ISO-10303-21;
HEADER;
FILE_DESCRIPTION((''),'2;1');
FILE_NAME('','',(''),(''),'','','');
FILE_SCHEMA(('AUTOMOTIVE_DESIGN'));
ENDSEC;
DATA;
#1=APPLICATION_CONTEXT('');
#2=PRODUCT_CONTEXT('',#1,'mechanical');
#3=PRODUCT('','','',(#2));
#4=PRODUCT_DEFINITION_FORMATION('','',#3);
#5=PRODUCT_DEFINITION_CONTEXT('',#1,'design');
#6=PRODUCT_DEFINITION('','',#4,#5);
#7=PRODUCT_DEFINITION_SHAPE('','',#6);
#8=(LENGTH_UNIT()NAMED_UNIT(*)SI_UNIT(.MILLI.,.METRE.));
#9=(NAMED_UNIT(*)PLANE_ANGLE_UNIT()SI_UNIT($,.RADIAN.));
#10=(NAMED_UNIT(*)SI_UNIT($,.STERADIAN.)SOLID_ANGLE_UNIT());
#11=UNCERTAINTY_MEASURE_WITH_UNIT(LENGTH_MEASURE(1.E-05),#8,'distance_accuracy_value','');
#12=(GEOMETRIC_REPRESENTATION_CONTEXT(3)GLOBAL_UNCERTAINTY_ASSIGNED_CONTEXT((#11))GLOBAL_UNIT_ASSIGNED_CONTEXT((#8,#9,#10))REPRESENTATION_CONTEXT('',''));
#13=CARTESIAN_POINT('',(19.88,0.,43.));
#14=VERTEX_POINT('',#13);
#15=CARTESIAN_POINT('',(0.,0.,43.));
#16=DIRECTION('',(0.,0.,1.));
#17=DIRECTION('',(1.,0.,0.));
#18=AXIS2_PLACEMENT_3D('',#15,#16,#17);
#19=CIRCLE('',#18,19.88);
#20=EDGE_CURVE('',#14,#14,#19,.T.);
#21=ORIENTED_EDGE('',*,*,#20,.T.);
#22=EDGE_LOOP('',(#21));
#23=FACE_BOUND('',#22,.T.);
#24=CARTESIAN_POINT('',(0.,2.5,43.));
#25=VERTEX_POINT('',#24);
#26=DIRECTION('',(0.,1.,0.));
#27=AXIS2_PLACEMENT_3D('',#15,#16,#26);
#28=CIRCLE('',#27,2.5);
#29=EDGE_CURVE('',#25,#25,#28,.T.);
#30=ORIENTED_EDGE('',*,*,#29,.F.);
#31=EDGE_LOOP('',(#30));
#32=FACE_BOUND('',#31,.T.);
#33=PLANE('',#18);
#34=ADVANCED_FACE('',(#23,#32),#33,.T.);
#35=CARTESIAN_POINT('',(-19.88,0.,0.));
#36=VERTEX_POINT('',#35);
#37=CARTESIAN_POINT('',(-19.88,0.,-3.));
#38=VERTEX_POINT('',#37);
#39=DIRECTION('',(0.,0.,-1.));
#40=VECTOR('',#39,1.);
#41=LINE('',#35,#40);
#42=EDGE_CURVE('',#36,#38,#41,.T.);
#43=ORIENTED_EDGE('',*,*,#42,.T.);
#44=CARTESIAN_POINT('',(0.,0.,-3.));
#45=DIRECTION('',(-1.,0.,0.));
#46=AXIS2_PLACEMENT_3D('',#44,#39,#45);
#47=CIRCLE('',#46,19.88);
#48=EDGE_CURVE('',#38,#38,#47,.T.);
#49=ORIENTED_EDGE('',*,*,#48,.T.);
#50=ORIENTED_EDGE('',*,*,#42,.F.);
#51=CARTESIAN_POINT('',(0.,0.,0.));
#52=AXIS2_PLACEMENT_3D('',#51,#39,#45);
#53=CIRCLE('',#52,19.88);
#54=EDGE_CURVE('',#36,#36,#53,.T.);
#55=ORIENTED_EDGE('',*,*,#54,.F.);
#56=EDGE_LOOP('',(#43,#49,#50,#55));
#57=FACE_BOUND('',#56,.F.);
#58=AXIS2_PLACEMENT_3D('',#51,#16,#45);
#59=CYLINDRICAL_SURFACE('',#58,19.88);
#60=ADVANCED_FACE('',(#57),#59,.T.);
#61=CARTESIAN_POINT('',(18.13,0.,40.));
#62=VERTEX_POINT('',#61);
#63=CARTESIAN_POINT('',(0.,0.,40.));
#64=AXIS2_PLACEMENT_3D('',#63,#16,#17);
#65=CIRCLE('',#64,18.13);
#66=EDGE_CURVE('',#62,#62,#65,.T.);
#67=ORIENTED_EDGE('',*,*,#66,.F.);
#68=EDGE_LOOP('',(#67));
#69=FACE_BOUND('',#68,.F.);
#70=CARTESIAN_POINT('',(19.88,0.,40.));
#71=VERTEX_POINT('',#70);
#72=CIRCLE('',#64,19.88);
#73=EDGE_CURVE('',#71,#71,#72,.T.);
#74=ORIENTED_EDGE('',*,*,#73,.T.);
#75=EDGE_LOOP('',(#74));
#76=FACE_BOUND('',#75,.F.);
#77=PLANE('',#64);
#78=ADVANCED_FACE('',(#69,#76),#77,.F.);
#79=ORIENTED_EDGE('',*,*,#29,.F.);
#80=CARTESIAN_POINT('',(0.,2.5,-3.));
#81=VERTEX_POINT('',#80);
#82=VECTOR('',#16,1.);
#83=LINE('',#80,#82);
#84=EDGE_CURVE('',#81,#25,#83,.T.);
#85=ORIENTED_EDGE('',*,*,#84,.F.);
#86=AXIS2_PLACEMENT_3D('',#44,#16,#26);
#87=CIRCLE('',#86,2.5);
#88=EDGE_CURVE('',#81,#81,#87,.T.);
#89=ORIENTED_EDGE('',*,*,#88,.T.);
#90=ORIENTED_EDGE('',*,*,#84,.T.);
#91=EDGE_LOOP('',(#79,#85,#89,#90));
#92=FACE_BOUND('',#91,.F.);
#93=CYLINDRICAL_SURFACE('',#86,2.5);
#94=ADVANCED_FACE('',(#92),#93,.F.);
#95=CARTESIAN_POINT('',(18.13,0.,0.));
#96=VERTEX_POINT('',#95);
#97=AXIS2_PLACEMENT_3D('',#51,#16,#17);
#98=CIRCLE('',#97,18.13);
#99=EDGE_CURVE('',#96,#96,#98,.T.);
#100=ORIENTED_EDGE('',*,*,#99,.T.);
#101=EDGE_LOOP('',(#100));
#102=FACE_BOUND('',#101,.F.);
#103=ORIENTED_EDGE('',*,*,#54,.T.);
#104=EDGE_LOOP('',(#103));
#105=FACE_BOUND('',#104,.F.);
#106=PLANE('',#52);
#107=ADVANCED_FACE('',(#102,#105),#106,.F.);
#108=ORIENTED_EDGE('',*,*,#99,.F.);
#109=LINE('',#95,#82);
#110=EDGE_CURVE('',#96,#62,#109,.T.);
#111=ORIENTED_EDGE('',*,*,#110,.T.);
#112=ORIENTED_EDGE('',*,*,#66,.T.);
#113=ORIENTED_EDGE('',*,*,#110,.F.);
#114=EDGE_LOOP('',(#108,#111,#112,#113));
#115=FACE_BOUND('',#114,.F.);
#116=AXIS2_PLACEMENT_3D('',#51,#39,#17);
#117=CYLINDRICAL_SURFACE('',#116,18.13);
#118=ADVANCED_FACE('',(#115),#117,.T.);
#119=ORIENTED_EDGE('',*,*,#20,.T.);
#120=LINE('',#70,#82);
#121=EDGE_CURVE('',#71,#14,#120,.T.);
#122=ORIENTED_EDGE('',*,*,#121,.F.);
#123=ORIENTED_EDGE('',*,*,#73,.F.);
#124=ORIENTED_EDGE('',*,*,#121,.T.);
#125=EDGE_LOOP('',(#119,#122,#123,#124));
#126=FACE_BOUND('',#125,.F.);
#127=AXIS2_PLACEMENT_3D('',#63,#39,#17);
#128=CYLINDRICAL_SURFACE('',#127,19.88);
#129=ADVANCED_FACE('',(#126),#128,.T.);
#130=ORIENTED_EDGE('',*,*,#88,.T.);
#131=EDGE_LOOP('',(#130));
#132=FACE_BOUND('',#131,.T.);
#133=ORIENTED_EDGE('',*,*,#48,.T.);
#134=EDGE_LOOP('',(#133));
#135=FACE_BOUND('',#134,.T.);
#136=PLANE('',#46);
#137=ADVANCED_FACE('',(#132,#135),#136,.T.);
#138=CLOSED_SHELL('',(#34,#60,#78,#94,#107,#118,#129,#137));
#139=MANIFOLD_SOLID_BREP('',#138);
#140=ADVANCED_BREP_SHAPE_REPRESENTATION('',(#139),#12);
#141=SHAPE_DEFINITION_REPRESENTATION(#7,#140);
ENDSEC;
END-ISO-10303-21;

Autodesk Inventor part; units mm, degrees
ref_plane "YZ Plane" through (0, 0, 0) normal (1, 0, 0) x (0, 1, 0)
ref_plane "XZ Plane" through (0, 0, 0) normal (0, 1, 0) x (-1, 0, 0)
ref_plane "XY Plane" through (0, 0, 0) normal (0, 0, 1) x (1, 0, 0)
sketch "スケッチ1" plane through (0, 0, 0) normal (0, 0, 1) x (1, 0, 0)
  circle A0 centre (0, 0) radius 18.13
  dimension "d0" = 36.26
extrude "押し出し1" add sketch "スケッチ1" along normal blind 40
sketch "スケッチ2" plane through (0, 0, 40) normal (0, 0, 1) x (1, 0, 0)
  circle A0 centre (0, 0) radius 19.88
  dimension "d3" = 39.76
extrude "押し出し2" add sketch "スケッチ2" along normal blind 3
sketch "スケッチ3" plane through (0, 0, 0) normal (0, 0, -1) x (-1, 0, 0)
  circle A0 centre (0, 0) radius 19.88
  dimension "d6" = 39.76
extrude "押し出し3" add sketch "スケッチ3" along normal blind 3
sketch "スケッチ4" plane through (0, 0, -3) normal (0, 0, -1) x (-1, 0, 0)
  circle A0 centre (0, 0) radius 2.5
  dimension "d9" = 5
hole "穴1" at (0, 0, -3) direction (0, 0, 1) diameter 5 depth 46
equation "\"BendRadius\" = Thickness"
equation "\"BendReliefWidth\" = Thickness"
equation "\"BendReliefDepth\" = 0.5 * Thickness"
equation "\"CornerReliefSize\" = 4 * Thickness"
equation "\"MinimumRemnant\" = 2 * Thickness"
equation "\"TransitionRadius\" = BendRadius"
equation "\"JacobiRadiusSize\" = BendRadius"
equation "\"GapSize\" = Thickness"
equation "\"Thickness\" = 0.5"
properties part number "nhk13" material "ABS プラスチック"
